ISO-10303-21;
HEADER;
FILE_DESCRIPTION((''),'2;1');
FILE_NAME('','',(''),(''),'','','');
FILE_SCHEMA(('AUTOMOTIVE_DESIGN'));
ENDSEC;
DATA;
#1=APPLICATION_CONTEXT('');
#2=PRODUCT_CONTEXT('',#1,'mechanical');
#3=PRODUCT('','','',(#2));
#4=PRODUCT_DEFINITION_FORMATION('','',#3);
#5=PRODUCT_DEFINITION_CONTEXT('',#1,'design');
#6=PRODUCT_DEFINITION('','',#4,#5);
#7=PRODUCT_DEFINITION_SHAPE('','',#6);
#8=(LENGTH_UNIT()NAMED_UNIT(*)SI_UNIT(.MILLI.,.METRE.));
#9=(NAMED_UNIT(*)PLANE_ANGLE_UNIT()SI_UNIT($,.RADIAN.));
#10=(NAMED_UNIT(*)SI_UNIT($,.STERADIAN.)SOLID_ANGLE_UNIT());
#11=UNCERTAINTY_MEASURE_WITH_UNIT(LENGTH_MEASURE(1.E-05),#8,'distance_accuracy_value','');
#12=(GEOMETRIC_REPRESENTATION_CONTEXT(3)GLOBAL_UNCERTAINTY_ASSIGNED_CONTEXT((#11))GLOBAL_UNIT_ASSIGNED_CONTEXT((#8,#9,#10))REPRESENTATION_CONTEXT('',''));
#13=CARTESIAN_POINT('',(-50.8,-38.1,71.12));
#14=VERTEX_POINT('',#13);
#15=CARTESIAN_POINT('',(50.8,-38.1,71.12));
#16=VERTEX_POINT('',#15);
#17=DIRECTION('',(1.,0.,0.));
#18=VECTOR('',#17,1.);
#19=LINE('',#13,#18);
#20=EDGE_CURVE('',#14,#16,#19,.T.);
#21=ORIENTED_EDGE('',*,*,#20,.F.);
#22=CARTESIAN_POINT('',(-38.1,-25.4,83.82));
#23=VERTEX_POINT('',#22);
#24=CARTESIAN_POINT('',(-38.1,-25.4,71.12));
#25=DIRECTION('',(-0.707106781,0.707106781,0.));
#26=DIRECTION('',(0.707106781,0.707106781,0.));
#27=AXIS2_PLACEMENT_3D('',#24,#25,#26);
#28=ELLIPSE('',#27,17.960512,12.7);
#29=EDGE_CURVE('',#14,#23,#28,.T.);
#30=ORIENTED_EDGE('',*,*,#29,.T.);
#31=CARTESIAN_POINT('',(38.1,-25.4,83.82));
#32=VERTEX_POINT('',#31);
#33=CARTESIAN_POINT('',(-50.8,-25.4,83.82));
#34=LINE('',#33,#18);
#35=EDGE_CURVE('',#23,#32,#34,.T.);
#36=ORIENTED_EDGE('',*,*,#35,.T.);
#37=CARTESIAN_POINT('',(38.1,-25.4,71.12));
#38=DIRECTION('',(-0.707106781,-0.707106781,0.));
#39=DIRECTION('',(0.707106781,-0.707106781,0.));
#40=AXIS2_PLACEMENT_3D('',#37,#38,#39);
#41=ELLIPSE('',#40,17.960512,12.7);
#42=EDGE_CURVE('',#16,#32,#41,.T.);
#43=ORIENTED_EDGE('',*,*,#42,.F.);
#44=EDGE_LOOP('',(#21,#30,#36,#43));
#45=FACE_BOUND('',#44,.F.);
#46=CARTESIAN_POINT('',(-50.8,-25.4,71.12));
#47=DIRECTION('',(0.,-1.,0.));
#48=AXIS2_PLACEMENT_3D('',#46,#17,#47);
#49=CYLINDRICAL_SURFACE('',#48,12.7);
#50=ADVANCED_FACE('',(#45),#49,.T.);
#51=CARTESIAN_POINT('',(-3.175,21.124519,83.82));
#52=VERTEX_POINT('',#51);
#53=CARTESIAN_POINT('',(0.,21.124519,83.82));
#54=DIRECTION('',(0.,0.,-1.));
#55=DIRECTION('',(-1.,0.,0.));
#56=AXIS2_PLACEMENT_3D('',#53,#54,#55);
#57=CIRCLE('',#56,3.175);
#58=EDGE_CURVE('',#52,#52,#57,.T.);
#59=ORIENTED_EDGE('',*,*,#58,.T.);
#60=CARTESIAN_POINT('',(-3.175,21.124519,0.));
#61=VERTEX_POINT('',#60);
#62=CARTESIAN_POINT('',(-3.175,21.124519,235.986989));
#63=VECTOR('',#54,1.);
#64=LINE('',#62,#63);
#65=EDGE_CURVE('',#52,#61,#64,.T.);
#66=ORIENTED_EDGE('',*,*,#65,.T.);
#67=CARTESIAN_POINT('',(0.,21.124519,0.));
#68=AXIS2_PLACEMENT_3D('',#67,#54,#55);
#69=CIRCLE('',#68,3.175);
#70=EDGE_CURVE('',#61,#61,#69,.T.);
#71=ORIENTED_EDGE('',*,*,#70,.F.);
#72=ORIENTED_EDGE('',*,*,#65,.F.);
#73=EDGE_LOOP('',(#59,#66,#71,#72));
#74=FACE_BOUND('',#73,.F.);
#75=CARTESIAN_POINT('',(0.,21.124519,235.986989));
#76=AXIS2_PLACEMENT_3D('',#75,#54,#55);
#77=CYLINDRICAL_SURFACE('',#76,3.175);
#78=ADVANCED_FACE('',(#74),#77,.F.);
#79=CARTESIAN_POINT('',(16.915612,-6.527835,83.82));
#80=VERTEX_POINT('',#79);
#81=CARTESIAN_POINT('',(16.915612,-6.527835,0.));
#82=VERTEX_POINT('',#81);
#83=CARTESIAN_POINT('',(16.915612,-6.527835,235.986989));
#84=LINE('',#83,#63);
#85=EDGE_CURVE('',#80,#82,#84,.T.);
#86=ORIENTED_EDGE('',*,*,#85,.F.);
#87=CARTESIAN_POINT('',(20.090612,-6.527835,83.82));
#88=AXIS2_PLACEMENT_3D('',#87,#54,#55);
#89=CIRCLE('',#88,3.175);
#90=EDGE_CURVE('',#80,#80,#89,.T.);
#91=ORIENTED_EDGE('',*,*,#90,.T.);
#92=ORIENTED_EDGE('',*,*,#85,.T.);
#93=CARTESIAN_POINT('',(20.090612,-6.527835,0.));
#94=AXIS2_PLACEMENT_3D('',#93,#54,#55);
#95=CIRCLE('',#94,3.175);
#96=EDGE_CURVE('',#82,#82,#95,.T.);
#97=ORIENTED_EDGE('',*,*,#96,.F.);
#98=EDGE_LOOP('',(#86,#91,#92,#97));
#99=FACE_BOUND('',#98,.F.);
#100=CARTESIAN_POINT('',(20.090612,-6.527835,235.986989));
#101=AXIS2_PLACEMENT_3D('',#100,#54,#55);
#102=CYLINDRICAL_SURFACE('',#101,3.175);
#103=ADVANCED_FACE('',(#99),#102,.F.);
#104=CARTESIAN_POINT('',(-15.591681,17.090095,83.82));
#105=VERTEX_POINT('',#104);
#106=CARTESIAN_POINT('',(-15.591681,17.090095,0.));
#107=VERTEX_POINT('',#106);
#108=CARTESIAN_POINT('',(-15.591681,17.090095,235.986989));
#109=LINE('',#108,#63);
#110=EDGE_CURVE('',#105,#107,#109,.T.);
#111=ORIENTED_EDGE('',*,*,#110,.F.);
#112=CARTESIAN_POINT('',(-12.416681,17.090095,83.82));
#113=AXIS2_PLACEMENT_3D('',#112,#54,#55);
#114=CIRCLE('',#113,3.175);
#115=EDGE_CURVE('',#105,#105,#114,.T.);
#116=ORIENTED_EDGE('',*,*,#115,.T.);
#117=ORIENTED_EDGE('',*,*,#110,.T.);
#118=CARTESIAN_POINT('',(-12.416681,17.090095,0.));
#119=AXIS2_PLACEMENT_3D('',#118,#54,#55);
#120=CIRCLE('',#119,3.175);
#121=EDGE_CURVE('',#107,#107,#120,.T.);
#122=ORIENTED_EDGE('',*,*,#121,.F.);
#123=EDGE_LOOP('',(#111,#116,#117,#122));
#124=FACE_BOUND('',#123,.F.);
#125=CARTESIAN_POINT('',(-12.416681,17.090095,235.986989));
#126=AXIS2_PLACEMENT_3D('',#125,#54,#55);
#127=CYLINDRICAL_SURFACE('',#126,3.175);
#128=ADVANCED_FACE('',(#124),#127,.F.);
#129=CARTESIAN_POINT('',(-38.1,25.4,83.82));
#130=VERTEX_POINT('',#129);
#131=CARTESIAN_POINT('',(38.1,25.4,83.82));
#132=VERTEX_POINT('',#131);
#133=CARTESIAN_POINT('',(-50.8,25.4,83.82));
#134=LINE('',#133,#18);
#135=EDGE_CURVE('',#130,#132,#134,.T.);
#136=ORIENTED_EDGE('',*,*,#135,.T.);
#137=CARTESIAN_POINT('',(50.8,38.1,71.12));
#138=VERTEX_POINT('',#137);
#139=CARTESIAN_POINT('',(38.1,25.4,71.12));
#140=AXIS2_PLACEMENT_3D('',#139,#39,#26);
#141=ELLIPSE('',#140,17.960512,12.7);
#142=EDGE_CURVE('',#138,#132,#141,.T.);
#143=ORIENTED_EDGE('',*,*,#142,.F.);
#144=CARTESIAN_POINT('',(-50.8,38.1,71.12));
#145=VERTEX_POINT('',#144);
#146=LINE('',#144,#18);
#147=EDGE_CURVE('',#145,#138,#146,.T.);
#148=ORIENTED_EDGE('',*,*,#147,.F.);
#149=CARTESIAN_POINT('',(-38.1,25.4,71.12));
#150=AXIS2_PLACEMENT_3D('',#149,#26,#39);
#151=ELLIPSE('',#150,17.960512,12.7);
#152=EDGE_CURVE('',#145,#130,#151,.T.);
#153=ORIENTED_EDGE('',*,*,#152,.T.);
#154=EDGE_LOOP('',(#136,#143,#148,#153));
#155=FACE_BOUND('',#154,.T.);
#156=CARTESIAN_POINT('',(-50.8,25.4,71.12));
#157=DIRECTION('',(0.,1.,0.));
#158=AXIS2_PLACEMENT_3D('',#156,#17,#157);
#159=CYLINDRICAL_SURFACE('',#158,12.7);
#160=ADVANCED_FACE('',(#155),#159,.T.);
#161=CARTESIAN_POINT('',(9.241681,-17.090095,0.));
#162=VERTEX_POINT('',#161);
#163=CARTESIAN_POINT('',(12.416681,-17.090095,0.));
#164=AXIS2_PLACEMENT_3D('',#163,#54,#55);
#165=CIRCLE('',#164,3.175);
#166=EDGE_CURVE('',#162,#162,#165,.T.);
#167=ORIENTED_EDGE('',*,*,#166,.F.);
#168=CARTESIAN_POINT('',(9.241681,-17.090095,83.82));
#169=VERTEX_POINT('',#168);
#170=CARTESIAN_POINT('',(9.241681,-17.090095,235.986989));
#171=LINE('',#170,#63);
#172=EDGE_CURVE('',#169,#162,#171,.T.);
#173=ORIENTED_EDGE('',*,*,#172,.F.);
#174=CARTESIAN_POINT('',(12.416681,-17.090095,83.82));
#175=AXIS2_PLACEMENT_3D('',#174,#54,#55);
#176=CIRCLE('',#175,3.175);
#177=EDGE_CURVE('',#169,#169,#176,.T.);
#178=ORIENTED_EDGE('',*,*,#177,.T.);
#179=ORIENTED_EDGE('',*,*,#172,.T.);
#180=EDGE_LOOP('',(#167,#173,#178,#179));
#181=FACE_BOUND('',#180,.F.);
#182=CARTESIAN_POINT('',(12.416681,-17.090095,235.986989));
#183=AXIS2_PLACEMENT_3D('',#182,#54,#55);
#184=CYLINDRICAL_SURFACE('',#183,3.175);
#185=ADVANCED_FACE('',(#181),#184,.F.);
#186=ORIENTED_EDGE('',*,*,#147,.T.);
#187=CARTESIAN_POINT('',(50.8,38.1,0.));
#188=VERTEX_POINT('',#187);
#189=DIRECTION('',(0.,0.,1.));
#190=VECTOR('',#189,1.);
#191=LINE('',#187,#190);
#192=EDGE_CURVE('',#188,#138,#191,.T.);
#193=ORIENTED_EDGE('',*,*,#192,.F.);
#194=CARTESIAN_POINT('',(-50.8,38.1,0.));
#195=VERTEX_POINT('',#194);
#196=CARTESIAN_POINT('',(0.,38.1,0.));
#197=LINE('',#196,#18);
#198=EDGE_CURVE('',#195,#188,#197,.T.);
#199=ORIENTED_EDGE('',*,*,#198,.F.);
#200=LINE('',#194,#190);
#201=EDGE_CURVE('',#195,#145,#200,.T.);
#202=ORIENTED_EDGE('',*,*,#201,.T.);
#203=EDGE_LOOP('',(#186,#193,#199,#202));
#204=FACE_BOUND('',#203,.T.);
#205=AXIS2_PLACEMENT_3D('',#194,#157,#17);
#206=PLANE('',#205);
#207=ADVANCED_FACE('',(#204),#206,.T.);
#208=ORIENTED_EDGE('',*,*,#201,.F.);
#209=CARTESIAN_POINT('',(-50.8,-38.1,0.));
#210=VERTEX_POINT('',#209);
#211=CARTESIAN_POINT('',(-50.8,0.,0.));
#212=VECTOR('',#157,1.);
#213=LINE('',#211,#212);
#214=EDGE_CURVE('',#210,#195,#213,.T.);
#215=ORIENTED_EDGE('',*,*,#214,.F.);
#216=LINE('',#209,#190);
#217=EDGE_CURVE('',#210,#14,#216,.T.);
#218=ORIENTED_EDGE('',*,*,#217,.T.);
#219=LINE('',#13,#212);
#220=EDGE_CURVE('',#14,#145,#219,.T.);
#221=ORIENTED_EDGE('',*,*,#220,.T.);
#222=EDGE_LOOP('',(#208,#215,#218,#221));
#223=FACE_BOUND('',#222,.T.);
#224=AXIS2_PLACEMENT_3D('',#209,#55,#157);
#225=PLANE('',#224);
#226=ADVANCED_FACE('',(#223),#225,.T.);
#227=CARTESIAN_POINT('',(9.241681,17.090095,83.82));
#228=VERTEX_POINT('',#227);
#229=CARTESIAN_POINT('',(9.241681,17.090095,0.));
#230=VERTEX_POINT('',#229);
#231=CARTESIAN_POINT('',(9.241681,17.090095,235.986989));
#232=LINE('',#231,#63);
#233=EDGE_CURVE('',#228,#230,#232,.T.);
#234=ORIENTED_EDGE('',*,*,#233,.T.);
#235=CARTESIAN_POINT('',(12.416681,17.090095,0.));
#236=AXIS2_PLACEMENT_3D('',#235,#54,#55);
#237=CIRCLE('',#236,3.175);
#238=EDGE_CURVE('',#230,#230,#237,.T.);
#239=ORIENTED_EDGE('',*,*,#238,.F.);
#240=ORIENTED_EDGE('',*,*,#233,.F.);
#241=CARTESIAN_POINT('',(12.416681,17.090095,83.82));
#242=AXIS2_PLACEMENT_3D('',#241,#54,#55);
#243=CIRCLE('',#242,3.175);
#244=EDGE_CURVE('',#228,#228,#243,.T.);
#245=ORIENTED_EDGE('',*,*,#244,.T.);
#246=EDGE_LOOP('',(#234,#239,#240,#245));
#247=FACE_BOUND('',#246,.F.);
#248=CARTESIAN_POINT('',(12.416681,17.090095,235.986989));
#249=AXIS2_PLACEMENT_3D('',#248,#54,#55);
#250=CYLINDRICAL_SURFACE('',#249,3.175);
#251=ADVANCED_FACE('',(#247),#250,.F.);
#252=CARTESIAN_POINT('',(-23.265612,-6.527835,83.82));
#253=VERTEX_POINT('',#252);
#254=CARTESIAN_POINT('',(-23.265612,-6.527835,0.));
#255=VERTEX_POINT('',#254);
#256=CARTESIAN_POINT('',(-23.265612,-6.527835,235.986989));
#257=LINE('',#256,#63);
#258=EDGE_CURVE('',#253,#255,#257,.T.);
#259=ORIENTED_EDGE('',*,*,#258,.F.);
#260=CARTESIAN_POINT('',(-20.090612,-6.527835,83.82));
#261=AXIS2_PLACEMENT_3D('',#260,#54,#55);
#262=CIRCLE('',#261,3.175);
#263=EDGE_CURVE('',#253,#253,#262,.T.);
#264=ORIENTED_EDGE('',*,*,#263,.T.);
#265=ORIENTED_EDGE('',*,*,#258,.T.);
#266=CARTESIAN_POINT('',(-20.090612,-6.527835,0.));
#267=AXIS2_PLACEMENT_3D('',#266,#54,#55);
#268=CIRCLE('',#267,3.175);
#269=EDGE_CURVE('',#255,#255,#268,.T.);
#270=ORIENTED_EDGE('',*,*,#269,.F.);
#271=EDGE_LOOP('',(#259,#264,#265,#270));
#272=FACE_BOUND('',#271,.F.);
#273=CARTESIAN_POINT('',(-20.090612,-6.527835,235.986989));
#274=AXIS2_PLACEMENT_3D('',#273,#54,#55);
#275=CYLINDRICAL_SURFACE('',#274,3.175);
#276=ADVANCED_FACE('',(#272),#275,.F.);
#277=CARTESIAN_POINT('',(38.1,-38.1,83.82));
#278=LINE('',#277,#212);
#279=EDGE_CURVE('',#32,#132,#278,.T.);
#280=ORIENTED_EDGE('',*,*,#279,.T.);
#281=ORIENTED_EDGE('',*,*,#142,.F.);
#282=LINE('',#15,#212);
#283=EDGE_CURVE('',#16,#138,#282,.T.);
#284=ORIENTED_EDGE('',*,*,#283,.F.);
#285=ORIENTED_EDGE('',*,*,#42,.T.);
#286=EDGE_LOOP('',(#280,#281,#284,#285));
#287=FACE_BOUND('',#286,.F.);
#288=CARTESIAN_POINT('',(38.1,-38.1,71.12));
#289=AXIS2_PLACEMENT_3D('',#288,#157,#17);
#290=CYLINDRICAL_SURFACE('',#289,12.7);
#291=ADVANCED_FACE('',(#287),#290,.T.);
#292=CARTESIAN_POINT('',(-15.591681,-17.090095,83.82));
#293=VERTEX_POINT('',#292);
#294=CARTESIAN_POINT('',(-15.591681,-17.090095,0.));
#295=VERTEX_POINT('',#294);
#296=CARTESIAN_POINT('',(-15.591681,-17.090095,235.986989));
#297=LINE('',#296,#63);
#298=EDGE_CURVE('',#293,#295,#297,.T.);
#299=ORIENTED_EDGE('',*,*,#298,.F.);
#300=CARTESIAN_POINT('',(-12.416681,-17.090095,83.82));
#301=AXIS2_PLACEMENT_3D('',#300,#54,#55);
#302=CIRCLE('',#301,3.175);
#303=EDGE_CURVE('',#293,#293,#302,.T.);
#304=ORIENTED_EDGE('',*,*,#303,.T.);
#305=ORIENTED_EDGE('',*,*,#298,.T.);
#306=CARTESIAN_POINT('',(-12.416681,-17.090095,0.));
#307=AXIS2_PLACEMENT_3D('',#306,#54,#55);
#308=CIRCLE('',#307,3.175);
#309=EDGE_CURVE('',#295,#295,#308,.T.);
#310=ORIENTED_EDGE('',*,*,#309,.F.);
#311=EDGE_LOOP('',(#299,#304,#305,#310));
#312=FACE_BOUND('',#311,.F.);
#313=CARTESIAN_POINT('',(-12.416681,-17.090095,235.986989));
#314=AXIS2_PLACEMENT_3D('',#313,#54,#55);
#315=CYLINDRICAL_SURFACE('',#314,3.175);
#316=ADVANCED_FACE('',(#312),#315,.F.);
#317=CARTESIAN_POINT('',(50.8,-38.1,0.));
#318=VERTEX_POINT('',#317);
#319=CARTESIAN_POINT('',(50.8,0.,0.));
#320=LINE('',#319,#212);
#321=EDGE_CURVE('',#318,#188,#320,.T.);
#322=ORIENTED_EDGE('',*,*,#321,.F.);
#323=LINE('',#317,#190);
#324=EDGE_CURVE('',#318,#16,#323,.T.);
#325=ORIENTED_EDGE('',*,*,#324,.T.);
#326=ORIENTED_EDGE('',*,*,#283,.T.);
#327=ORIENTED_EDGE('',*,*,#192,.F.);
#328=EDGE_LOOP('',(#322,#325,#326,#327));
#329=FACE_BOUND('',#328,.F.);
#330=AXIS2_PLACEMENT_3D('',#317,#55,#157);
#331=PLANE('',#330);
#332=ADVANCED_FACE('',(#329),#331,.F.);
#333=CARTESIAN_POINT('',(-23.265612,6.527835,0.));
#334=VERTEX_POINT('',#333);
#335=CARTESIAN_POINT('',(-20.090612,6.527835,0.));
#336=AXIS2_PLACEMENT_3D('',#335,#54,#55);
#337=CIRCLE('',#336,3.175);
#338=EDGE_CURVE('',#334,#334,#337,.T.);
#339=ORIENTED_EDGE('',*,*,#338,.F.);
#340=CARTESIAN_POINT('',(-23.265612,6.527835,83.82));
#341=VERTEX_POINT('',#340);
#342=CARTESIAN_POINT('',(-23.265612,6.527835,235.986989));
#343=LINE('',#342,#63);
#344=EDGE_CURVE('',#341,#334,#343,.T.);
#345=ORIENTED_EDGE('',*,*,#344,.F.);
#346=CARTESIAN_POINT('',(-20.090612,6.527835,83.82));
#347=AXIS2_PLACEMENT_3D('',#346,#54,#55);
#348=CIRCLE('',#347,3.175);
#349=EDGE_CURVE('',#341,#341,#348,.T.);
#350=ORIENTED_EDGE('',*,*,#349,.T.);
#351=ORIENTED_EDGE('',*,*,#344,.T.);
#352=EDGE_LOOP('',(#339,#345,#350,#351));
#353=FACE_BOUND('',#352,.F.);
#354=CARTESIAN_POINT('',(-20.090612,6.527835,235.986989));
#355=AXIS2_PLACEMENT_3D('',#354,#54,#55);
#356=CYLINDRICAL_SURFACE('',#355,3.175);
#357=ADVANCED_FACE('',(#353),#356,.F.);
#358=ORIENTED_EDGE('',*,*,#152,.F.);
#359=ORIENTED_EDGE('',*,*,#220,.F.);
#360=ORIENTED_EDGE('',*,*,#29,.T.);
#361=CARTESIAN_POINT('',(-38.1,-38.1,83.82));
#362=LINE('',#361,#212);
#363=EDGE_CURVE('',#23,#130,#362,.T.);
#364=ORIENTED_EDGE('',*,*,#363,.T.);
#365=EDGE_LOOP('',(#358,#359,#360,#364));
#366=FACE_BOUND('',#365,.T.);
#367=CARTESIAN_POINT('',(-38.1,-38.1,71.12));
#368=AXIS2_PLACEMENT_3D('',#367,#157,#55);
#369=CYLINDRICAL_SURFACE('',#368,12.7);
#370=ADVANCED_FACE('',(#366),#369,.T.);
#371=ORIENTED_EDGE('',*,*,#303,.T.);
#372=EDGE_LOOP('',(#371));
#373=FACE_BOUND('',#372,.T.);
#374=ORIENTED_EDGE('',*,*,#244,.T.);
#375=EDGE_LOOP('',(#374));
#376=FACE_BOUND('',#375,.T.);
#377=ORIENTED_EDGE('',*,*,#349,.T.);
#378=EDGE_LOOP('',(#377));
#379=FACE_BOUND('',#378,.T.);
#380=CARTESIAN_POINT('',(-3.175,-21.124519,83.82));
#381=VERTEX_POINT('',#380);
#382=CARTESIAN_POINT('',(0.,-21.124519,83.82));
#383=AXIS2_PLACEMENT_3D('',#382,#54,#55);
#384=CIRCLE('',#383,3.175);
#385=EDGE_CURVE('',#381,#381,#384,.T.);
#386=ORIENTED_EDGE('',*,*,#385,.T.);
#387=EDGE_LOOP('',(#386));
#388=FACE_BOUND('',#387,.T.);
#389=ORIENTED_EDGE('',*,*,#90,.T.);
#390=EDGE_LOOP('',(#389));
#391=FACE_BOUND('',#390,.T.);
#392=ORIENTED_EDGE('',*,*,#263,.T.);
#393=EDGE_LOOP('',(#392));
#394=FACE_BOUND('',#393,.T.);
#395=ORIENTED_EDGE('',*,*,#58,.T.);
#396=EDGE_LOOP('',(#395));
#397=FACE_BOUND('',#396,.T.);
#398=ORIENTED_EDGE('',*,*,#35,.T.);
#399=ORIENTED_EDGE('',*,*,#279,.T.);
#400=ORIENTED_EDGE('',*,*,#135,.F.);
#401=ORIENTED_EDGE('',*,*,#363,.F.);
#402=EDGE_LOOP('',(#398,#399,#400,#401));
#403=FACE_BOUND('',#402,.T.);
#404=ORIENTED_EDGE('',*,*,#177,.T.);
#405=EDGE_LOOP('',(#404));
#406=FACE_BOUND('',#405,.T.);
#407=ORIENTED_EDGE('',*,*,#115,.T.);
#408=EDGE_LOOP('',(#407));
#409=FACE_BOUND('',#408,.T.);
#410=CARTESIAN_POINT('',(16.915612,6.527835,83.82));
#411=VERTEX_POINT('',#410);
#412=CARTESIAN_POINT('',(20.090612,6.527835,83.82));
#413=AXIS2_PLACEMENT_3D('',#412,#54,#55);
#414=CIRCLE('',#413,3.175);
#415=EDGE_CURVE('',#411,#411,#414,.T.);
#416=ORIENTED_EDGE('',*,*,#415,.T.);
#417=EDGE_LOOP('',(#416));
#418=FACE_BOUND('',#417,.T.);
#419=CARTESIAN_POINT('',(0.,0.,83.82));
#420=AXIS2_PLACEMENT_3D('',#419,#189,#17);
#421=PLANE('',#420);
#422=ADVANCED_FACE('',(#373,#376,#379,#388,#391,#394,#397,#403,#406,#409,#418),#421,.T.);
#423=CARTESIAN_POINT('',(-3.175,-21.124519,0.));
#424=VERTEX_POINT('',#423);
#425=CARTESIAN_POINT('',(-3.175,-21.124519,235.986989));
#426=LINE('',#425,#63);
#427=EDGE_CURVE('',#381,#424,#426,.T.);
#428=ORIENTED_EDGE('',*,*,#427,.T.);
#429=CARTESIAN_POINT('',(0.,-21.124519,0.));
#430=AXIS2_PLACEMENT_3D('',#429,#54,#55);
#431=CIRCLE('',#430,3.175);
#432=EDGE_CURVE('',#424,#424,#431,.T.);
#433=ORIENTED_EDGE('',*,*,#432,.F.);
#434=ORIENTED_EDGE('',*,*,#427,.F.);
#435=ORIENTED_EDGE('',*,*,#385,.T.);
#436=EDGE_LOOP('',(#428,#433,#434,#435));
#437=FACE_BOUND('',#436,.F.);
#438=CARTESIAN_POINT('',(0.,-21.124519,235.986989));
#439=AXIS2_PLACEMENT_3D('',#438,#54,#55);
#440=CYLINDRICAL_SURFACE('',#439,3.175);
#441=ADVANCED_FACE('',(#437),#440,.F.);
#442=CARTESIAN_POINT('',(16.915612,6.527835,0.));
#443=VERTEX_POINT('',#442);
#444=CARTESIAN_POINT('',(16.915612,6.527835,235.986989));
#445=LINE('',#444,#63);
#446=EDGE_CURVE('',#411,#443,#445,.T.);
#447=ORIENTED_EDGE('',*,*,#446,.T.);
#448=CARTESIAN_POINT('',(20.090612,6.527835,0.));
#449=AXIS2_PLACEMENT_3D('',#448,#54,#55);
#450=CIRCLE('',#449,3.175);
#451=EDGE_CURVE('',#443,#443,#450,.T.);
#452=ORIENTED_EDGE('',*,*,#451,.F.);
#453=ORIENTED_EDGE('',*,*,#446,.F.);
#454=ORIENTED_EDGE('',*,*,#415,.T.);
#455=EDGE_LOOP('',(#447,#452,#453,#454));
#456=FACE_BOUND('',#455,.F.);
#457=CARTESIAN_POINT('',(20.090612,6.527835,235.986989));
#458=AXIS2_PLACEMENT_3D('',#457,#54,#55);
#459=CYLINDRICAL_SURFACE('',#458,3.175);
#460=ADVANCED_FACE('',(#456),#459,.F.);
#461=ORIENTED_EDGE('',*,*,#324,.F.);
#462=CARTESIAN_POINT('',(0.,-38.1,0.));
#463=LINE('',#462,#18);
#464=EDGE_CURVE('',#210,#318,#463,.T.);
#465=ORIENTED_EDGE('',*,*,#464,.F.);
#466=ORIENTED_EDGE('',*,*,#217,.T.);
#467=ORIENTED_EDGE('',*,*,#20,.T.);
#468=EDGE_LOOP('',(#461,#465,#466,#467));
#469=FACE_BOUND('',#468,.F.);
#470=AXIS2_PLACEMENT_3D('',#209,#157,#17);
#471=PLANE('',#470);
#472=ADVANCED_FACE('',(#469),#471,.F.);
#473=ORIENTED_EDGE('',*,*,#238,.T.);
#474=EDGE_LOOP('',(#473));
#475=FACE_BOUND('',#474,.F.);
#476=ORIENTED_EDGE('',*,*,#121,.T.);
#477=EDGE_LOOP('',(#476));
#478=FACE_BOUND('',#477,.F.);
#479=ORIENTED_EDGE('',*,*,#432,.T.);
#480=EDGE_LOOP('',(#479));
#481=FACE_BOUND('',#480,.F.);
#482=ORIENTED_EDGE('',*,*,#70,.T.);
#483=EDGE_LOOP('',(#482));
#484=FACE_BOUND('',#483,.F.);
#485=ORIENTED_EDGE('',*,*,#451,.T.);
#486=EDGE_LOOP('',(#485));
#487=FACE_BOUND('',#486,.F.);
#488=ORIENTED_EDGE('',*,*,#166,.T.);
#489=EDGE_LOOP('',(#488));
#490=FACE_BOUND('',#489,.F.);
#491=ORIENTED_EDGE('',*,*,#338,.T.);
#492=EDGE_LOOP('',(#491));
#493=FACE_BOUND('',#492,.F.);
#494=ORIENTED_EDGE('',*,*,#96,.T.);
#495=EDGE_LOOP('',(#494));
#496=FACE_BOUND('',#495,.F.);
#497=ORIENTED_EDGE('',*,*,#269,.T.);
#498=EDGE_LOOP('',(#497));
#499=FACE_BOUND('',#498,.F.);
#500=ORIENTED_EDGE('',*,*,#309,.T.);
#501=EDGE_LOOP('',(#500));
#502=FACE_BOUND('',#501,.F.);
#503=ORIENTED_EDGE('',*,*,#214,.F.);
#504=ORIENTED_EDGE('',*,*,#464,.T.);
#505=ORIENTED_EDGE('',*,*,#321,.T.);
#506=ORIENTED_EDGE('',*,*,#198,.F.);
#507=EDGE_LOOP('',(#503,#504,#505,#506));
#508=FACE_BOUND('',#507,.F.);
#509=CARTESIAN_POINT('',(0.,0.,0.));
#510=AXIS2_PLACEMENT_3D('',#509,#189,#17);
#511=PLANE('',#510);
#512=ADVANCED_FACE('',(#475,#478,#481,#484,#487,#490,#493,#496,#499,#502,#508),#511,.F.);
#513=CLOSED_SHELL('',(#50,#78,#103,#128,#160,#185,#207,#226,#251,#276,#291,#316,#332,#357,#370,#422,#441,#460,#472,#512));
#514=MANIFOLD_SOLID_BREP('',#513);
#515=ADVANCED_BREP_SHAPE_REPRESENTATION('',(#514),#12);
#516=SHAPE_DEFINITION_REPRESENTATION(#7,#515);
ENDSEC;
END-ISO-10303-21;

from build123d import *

# Parameters (mm, degrees)
F0_W     = 101.6
F0_H     = 76.2
F1_DEPTH = 83.82
F2_R     = 12.7
F5_D     = 6.35


with BuildPart() as f1:
    # F0 (on Top) → F1 (new body)
    with BuildSketch(Plane.XY):
        Rectangle(F0_W, F0_H)
    extrude(amount=F1_DEPTH)

    # F2
    f2_edges = [f1.edges().sort_by_distance(p)[0] for p in [
        (0, -38.1, 83.82),
        (50.8, 0, 83.82),
        (0, 38.1, 83.82),
        (-50.8, 0, 83.82),
    ]]
    fillet(f2_edges, radius=F2_R)

    # F5 (through all)
    with Locations(Plane.XY.offset(83.82)):
        with Locations((12.416681, -17.090095), (0, -21.124519), (-12.416681, -17.090095), (-20.090612, -6.527835), (-20.090612, 6.527835), (-12.416681, 17.090095), (0, 21.124519), (12.416681, 17.090095), (20.090612, 6.527835), (20.090612, -6.527835)):
            Hole(F5_D / 2)


solid = f1.part
